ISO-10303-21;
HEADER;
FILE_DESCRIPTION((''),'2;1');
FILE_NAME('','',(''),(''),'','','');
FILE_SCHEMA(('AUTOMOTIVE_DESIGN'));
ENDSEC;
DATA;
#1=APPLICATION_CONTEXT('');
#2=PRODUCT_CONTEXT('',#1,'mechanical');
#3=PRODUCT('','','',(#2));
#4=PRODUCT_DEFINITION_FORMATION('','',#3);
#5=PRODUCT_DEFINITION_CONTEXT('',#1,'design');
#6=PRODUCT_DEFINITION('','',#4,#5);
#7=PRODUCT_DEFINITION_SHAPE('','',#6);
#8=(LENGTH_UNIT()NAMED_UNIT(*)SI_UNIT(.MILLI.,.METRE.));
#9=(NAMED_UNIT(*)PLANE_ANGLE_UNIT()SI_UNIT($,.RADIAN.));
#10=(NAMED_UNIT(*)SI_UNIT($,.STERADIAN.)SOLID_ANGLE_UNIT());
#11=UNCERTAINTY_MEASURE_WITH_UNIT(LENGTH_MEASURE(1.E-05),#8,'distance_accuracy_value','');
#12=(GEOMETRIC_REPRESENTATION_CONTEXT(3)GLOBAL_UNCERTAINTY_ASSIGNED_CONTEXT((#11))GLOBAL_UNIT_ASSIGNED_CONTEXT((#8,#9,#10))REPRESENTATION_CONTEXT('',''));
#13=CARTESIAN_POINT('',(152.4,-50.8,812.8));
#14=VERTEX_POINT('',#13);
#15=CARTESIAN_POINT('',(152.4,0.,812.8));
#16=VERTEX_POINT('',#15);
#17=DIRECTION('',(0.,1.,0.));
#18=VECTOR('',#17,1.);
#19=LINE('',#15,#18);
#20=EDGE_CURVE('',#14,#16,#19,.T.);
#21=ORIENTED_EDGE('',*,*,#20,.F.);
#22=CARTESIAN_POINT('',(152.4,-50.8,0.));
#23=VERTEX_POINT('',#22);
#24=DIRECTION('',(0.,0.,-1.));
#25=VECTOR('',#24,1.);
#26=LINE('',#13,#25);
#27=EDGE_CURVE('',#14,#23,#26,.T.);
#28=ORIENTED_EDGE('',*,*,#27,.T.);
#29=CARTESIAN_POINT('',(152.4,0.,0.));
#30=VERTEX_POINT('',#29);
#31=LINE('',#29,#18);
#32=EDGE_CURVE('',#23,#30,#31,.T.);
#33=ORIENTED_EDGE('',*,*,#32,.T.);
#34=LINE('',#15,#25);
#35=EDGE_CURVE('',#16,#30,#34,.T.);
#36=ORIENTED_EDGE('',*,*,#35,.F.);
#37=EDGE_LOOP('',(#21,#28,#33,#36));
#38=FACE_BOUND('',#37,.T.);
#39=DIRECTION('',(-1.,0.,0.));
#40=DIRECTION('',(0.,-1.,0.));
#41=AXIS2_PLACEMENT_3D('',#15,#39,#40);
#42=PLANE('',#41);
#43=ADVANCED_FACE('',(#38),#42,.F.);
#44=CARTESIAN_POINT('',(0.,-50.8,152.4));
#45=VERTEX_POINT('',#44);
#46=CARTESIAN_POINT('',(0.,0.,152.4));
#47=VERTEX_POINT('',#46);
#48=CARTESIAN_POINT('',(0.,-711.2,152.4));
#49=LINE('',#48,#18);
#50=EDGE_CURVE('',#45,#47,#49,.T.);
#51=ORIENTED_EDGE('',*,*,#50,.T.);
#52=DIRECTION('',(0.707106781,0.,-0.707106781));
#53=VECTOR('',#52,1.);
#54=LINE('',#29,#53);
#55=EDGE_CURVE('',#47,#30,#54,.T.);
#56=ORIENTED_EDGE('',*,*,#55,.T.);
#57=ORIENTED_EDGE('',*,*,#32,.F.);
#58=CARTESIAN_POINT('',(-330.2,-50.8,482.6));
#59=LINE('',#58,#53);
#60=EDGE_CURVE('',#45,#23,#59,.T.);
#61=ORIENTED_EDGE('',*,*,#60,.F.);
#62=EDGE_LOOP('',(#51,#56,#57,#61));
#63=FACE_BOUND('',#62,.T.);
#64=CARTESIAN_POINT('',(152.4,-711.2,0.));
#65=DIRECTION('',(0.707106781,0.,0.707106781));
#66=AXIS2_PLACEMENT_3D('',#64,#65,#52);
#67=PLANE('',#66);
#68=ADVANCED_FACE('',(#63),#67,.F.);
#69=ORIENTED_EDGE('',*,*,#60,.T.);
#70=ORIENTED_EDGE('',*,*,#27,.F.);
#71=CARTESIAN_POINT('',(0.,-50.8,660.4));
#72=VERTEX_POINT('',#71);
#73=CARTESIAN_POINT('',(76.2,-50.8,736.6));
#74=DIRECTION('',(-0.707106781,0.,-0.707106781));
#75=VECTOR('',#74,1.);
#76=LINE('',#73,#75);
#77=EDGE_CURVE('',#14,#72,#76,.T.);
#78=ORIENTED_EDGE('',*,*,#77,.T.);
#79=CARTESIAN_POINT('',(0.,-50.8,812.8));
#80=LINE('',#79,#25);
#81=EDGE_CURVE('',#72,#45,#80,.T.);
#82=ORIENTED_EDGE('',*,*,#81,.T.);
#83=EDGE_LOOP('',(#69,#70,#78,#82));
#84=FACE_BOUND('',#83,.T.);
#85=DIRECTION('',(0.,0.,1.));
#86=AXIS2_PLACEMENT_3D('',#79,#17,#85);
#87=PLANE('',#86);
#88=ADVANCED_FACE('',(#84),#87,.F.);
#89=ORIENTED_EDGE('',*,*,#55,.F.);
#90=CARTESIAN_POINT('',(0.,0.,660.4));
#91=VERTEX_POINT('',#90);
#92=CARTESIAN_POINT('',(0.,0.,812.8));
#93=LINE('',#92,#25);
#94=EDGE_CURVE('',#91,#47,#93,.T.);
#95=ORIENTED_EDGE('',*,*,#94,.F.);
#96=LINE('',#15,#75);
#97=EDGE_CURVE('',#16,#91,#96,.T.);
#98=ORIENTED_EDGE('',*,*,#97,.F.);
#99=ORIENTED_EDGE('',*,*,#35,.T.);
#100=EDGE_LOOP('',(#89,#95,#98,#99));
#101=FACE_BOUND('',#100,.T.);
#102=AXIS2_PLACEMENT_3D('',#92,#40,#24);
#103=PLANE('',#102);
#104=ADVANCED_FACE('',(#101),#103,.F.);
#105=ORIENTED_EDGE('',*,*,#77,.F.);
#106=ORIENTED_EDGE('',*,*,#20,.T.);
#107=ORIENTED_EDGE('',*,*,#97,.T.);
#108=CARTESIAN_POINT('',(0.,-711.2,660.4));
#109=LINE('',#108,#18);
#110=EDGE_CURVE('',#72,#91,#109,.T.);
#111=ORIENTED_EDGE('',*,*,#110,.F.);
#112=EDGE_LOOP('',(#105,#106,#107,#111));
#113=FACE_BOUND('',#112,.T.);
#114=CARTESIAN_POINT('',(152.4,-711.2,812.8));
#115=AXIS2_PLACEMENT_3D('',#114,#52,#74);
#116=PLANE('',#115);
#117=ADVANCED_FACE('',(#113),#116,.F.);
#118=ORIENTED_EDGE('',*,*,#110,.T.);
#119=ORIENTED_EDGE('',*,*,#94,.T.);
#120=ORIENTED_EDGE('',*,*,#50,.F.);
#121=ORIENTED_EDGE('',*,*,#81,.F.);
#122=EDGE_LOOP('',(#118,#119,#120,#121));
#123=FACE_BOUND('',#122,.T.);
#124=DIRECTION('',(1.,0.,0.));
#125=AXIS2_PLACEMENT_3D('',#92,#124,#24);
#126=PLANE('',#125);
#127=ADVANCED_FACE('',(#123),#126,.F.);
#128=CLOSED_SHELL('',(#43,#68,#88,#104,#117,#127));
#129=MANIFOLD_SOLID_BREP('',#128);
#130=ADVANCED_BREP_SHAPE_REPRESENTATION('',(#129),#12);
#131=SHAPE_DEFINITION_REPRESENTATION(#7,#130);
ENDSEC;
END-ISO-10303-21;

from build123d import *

# Parameters (mm, degrees)
SKETCH1_W           = 152.4
SKETCH1_H           = 50.8
BOSS_EXTRUDE1_DEPTH = 812.8
CUT_EXTRUDE1_DEPTH  = 711.2


with BuildPart() as part:
    # Sketch1 → Boss-Extrude1 (new body)
    with BuildSketch(Plane.XY):
        with Locations((76.2, -25.4)):
            Rectangle(SKETCH1_W, SKETCH1_H)
    extrude(amount=BOSS_EXTRUDE1_DEPTH)

    # Sketch2 → Cut-Extrude1 (cut)
    with BuildSketch(Plane(origin=(0, 0, 0), x_dir=(1, 0, 0), z_dir=(0, 1, 0))):
        Polygon((152.4, 0), (0, -152.4), (0, 0), align=None)
        Polygon((152.4, -812.8), (0, -660.4), (0, -812.8), align=None)
    extrude(amount=-CUT_EXTRUDE1_DEPTH, mode=Mode.SUBTRACT)


solid = part.part
